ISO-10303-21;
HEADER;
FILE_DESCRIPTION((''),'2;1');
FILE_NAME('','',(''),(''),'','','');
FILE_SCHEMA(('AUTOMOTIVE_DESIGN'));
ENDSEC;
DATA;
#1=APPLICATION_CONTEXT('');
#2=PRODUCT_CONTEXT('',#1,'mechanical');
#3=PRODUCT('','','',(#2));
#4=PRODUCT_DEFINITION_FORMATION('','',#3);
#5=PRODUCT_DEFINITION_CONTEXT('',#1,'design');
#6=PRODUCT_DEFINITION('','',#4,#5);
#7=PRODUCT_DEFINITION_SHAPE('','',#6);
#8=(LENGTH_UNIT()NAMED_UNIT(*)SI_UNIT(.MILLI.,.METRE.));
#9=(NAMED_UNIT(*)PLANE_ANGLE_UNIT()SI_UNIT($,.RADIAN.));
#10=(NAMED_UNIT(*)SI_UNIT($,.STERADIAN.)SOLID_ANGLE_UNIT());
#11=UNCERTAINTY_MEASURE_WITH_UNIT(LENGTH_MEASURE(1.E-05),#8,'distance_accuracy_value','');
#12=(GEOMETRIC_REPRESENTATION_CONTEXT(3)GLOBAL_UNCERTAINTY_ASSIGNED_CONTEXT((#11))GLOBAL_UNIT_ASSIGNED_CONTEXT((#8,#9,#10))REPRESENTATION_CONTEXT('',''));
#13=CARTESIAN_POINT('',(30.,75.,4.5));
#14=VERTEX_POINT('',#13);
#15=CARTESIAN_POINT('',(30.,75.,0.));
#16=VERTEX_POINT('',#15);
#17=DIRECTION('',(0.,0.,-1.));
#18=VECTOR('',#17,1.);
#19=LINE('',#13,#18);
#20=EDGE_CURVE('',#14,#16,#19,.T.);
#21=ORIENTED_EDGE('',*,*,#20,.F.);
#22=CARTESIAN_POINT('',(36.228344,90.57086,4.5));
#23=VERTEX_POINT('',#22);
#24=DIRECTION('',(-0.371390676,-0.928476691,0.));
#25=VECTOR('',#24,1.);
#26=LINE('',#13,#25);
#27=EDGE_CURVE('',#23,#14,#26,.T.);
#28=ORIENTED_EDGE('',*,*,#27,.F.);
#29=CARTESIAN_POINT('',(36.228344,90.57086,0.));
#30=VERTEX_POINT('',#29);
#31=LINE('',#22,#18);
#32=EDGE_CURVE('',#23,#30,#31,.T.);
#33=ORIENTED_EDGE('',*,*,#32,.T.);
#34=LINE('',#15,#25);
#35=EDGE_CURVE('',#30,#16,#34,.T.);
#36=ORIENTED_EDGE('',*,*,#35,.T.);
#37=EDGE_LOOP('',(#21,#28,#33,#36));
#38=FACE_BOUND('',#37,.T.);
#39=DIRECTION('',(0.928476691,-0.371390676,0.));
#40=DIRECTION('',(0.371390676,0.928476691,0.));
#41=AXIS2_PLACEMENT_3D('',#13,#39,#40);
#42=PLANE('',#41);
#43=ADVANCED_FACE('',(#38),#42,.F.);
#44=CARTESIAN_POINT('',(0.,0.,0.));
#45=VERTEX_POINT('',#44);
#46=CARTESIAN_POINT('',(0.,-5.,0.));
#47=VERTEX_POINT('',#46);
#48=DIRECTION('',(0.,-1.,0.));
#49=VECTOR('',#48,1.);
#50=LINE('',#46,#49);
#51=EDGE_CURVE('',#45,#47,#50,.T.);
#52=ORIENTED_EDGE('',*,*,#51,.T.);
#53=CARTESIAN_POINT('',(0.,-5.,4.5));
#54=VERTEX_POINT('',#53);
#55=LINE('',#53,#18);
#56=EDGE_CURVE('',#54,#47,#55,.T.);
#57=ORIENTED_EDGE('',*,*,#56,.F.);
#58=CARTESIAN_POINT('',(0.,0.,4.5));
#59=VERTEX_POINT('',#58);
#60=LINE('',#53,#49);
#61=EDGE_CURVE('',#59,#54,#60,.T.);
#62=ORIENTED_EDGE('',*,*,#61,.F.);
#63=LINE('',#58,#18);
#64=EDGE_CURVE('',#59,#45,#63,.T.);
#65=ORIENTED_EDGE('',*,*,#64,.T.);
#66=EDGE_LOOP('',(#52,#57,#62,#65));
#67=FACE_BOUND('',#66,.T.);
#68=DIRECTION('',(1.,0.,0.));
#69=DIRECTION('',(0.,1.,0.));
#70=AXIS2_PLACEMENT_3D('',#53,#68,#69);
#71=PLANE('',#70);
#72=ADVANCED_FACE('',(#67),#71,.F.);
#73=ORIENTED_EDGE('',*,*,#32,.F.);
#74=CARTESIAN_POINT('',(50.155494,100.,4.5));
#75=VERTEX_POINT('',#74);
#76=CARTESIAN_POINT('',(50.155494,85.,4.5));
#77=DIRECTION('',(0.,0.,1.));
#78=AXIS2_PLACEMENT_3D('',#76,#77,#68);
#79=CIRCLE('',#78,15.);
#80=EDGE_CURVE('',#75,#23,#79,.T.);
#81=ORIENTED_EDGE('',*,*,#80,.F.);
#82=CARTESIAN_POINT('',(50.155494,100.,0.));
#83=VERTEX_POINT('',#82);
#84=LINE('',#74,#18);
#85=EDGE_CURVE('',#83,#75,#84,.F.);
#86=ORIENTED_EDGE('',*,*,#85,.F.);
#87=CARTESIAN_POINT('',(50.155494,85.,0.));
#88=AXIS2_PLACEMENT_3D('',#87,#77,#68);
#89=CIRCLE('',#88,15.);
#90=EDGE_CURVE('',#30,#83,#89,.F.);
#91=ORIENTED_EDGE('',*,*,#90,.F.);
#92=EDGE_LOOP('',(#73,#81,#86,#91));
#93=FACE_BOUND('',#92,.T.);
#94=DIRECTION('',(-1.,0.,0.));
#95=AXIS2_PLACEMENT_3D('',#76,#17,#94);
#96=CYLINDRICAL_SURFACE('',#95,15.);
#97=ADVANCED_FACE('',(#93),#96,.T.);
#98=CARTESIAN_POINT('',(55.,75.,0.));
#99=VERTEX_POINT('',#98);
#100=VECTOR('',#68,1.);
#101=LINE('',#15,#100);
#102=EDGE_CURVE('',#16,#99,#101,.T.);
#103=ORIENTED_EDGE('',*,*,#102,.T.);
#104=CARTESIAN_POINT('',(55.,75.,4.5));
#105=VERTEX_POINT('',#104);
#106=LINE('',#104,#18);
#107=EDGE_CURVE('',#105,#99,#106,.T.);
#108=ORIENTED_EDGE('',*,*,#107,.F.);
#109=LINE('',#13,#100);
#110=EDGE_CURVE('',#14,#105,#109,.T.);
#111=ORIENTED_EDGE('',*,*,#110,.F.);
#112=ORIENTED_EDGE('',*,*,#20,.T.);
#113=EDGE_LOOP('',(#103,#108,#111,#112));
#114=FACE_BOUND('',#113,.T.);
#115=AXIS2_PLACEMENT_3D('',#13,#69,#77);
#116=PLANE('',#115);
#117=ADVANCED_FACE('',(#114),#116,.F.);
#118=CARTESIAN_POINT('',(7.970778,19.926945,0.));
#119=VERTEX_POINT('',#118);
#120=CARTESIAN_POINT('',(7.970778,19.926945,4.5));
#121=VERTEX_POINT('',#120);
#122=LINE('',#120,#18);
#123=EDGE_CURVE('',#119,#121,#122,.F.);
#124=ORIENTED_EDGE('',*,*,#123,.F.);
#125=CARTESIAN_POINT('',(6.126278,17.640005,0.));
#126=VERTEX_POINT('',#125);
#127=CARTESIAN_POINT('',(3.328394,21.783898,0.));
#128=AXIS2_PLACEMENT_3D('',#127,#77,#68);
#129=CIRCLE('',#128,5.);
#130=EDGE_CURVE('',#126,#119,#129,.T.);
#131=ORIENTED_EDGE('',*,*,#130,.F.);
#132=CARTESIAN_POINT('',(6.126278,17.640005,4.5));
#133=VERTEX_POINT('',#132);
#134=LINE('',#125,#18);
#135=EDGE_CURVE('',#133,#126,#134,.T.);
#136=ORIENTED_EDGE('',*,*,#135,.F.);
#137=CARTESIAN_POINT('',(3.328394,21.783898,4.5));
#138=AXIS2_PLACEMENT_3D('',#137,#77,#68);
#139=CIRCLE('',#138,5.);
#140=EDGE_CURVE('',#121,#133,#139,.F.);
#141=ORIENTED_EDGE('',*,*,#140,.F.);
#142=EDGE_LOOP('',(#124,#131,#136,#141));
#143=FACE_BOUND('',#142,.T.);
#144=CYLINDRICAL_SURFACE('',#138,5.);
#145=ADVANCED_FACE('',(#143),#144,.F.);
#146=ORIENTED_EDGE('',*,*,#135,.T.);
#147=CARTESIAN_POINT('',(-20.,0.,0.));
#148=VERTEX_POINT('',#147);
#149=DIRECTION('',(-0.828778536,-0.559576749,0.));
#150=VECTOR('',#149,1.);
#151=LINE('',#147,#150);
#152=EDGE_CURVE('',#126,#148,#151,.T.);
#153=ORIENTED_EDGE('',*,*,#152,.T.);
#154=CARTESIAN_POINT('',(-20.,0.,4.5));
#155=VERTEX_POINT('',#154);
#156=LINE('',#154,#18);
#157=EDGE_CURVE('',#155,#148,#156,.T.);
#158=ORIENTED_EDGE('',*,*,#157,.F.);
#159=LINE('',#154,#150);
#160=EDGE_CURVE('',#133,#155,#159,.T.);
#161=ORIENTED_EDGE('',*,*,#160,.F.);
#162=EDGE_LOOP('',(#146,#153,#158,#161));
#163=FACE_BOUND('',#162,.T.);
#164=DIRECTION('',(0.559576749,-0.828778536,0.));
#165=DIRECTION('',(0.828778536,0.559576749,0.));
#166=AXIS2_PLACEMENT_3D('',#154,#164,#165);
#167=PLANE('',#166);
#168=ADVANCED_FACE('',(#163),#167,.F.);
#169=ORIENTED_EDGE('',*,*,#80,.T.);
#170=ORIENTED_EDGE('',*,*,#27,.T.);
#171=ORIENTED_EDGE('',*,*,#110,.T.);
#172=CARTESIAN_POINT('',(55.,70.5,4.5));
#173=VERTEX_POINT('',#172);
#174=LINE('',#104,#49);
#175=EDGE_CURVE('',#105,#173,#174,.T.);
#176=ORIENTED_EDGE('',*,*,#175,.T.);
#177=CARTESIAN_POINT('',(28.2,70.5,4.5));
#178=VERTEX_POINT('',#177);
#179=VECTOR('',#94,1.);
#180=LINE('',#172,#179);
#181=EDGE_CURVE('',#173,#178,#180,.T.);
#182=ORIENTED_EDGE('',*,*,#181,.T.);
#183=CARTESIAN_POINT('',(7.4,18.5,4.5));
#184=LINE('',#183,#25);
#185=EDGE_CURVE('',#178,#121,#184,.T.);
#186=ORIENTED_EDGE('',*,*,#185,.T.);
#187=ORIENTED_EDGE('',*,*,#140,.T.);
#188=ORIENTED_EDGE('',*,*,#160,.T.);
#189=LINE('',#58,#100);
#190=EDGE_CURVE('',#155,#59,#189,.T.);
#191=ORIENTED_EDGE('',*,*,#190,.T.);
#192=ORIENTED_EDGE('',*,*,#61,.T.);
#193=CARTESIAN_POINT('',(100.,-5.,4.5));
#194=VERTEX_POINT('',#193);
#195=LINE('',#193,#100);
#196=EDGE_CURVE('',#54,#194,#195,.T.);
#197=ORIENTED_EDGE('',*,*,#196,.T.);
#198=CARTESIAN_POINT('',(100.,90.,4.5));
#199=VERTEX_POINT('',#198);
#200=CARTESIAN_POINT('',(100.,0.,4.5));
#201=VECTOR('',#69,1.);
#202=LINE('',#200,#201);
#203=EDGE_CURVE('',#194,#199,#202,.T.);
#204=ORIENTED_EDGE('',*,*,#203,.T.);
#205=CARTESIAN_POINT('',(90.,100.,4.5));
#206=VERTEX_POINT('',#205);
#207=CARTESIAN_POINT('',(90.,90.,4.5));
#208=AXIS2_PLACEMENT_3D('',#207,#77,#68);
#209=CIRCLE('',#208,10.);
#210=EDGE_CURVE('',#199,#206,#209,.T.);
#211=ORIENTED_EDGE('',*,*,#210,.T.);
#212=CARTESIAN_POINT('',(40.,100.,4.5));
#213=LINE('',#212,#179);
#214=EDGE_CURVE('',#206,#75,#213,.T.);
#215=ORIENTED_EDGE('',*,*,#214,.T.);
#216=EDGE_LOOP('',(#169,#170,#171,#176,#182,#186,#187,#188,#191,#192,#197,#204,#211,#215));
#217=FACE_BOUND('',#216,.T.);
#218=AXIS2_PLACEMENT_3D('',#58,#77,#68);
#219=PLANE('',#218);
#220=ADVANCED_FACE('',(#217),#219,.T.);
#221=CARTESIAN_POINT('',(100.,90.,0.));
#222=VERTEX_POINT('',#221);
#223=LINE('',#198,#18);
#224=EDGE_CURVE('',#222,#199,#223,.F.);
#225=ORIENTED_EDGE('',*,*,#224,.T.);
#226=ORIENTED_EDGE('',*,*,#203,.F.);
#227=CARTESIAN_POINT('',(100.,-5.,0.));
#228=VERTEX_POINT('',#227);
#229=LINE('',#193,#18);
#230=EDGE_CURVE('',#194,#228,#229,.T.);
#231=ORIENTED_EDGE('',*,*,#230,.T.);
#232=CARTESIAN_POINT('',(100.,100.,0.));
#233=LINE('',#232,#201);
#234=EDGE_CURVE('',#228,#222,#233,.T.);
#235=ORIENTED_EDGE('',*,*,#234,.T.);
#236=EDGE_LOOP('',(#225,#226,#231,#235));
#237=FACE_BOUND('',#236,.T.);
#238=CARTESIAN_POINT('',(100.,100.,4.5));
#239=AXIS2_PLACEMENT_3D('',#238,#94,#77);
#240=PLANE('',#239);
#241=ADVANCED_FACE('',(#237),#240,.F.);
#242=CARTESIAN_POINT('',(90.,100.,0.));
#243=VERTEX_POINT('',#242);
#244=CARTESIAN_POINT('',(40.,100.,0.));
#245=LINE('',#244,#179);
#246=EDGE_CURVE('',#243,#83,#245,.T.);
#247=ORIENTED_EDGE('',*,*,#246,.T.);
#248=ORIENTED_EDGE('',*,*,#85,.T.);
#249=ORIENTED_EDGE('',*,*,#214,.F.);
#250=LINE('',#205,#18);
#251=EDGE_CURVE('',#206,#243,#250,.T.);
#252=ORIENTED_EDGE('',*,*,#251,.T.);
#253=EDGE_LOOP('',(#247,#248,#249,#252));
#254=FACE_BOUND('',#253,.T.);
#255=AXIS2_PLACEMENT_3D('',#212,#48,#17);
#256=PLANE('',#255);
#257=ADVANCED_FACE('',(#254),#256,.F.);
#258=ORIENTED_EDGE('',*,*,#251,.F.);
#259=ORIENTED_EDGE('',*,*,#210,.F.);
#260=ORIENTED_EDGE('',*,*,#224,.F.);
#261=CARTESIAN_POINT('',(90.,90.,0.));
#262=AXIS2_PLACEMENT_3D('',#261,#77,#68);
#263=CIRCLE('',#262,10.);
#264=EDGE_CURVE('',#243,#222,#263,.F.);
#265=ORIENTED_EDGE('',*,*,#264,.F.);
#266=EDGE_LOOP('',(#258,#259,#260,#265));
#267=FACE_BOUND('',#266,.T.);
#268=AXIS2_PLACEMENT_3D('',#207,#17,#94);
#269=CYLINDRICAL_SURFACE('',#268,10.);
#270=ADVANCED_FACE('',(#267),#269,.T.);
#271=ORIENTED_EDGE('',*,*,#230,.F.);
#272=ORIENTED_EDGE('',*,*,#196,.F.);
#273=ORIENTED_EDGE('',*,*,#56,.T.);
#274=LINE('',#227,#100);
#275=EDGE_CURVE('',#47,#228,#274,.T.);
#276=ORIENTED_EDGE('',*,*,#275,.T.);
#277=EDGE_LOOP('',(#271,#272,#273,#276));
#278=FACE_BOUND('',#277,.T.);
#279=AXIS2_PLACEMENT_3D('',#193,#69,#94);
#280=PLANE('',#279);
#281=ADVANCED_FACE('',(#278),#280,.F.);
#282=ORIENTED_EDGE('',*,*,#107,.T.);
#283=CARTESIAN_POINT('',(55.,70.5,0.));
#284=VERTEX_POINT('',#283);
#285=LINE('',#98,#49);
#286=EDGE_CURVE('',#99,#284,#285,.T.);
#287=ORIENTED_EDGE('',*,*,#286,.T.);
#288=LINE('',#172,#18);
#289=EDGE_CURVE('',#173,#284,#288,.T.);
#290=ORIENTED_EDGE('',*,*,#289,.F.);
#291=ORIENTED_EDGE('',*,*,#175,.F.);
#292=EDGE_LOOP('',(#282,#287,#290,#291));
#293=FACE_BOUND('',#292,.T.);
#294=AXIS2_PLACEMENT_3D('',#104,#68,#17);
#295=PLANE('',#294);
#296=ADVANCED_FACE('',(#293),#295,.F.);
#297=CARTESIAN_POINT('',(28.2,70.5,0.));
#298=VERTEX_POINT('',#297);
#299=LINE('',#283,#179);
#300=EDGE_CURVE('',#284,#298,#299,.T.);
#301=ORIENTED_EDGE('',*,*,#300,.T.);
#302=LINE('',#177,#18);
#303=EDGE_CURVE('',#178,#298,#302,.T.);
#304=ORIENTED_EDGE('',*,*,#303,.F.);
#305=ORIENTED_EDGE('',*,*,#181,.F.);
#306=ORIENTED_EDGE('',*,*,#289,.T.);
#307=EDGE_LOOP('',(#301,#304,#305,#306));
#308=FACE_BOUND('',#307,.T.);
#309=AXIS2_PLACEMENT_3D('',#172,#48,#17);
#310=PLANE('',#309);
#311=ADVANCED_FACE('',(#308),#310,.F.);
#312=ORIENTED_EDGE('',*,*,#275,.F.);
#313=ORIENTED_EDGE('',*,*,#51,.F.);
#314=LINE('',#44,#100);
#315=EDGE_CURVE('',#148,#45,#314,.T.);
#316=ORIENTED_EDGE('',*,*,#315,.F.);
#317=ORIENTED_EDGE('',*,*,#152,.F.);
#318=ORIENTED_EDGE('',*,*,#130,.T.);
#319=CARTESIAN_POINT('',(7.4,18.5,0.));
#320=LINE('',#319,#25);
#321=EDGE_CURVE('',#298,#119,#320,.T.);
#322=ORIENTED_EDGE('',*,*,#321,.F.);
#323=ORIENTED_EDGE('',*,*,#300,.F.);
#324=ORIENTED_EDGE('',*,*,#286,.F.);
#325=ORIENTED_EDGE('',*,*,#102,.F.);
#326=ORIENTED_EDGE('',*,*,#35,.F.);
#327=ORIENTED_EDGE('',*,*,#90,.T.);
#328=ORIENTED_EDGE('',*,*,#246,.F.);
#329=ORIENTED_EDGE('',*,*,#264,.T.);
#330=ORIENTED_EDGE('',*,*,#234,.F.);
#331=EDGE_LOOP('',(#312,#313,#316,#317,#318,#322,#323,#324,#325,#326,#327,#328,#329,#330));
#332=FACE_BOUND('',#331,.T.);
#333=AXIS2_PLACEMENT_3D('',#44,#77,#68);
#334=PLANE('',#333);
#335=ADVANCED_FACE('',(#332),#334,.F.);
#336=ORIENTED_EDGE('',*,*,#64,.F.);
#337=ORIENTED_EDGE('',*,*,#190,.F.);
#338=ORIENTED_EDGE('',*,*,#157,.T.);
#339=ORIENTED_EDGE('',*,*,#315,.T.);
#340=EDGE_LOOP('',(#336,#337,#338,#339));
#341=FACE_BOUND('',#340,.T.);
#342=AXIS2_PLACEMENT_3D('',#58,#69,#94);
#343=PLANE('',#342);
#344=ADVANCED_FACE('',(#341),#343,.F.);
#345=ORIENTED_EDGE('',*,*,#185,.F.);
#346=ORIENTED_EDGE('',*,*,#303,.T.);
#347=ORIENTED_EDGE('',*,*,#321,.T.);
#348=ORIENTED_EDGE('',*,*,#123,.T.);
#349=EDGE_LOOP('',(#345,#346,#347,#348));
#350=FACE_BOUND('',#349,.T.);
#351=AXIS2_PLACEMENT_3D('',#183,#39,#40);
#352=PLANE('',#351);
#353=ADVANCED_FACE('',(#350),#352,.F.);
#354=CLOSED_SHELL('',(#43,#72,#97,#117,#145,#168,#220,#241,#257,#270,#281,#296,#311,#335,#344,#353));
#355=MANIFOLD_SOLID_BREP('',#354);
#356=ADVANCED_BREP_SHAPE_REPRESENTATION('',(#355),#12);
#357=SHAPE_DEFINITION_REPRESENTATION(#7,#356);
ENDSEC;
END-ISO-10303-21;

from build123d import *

# Parameters (mm, degrees)
BOSS_EXTRUDE1_DEPTH = 4.5
FILLET1_R           = 5
FILLET2_R           = 10
FILLET3_R           = 15


with BuildPart() as part:
    # Sketch1 → Boss-Extrude1 (new body)
    with BuildSketch(Plane.XY):
        Polygon((7.4, 18.5), (28.2, 70.5), (55, 70.5), (55, 75), (30, 75), (40, 100), (100, 100), (100, 0), (100, -5), (0, -5), (0, 0), (-20, 0), align=None)
    extrude(amount=BOSS_EXTRUDE1_DEPTH)

    # Fillet1
    fillet1_edges = [part.edges().sort_by_distance(p)[0] for p in [
        (7.4, 18.5, 2.25),
    ]]
    fillet(fillet1_edges, radius=FILLET1_R)

    # Fillet2
    fillet2_edges = [part.edges().sort_by_distance(p)[0] for p in [
        (100, 100, 2.25),
    ]]
    fillet(fillet2_edges, radius=FILLET2_R)

    # Fillet3
    fillet3_edges = [part.edges().sort_by_distance(p)[0] for p in [
        (40, 100, 2.25),
    ]]
    fillet(fillet3_edges, radius=FILLET3_R)


solid = part.part
